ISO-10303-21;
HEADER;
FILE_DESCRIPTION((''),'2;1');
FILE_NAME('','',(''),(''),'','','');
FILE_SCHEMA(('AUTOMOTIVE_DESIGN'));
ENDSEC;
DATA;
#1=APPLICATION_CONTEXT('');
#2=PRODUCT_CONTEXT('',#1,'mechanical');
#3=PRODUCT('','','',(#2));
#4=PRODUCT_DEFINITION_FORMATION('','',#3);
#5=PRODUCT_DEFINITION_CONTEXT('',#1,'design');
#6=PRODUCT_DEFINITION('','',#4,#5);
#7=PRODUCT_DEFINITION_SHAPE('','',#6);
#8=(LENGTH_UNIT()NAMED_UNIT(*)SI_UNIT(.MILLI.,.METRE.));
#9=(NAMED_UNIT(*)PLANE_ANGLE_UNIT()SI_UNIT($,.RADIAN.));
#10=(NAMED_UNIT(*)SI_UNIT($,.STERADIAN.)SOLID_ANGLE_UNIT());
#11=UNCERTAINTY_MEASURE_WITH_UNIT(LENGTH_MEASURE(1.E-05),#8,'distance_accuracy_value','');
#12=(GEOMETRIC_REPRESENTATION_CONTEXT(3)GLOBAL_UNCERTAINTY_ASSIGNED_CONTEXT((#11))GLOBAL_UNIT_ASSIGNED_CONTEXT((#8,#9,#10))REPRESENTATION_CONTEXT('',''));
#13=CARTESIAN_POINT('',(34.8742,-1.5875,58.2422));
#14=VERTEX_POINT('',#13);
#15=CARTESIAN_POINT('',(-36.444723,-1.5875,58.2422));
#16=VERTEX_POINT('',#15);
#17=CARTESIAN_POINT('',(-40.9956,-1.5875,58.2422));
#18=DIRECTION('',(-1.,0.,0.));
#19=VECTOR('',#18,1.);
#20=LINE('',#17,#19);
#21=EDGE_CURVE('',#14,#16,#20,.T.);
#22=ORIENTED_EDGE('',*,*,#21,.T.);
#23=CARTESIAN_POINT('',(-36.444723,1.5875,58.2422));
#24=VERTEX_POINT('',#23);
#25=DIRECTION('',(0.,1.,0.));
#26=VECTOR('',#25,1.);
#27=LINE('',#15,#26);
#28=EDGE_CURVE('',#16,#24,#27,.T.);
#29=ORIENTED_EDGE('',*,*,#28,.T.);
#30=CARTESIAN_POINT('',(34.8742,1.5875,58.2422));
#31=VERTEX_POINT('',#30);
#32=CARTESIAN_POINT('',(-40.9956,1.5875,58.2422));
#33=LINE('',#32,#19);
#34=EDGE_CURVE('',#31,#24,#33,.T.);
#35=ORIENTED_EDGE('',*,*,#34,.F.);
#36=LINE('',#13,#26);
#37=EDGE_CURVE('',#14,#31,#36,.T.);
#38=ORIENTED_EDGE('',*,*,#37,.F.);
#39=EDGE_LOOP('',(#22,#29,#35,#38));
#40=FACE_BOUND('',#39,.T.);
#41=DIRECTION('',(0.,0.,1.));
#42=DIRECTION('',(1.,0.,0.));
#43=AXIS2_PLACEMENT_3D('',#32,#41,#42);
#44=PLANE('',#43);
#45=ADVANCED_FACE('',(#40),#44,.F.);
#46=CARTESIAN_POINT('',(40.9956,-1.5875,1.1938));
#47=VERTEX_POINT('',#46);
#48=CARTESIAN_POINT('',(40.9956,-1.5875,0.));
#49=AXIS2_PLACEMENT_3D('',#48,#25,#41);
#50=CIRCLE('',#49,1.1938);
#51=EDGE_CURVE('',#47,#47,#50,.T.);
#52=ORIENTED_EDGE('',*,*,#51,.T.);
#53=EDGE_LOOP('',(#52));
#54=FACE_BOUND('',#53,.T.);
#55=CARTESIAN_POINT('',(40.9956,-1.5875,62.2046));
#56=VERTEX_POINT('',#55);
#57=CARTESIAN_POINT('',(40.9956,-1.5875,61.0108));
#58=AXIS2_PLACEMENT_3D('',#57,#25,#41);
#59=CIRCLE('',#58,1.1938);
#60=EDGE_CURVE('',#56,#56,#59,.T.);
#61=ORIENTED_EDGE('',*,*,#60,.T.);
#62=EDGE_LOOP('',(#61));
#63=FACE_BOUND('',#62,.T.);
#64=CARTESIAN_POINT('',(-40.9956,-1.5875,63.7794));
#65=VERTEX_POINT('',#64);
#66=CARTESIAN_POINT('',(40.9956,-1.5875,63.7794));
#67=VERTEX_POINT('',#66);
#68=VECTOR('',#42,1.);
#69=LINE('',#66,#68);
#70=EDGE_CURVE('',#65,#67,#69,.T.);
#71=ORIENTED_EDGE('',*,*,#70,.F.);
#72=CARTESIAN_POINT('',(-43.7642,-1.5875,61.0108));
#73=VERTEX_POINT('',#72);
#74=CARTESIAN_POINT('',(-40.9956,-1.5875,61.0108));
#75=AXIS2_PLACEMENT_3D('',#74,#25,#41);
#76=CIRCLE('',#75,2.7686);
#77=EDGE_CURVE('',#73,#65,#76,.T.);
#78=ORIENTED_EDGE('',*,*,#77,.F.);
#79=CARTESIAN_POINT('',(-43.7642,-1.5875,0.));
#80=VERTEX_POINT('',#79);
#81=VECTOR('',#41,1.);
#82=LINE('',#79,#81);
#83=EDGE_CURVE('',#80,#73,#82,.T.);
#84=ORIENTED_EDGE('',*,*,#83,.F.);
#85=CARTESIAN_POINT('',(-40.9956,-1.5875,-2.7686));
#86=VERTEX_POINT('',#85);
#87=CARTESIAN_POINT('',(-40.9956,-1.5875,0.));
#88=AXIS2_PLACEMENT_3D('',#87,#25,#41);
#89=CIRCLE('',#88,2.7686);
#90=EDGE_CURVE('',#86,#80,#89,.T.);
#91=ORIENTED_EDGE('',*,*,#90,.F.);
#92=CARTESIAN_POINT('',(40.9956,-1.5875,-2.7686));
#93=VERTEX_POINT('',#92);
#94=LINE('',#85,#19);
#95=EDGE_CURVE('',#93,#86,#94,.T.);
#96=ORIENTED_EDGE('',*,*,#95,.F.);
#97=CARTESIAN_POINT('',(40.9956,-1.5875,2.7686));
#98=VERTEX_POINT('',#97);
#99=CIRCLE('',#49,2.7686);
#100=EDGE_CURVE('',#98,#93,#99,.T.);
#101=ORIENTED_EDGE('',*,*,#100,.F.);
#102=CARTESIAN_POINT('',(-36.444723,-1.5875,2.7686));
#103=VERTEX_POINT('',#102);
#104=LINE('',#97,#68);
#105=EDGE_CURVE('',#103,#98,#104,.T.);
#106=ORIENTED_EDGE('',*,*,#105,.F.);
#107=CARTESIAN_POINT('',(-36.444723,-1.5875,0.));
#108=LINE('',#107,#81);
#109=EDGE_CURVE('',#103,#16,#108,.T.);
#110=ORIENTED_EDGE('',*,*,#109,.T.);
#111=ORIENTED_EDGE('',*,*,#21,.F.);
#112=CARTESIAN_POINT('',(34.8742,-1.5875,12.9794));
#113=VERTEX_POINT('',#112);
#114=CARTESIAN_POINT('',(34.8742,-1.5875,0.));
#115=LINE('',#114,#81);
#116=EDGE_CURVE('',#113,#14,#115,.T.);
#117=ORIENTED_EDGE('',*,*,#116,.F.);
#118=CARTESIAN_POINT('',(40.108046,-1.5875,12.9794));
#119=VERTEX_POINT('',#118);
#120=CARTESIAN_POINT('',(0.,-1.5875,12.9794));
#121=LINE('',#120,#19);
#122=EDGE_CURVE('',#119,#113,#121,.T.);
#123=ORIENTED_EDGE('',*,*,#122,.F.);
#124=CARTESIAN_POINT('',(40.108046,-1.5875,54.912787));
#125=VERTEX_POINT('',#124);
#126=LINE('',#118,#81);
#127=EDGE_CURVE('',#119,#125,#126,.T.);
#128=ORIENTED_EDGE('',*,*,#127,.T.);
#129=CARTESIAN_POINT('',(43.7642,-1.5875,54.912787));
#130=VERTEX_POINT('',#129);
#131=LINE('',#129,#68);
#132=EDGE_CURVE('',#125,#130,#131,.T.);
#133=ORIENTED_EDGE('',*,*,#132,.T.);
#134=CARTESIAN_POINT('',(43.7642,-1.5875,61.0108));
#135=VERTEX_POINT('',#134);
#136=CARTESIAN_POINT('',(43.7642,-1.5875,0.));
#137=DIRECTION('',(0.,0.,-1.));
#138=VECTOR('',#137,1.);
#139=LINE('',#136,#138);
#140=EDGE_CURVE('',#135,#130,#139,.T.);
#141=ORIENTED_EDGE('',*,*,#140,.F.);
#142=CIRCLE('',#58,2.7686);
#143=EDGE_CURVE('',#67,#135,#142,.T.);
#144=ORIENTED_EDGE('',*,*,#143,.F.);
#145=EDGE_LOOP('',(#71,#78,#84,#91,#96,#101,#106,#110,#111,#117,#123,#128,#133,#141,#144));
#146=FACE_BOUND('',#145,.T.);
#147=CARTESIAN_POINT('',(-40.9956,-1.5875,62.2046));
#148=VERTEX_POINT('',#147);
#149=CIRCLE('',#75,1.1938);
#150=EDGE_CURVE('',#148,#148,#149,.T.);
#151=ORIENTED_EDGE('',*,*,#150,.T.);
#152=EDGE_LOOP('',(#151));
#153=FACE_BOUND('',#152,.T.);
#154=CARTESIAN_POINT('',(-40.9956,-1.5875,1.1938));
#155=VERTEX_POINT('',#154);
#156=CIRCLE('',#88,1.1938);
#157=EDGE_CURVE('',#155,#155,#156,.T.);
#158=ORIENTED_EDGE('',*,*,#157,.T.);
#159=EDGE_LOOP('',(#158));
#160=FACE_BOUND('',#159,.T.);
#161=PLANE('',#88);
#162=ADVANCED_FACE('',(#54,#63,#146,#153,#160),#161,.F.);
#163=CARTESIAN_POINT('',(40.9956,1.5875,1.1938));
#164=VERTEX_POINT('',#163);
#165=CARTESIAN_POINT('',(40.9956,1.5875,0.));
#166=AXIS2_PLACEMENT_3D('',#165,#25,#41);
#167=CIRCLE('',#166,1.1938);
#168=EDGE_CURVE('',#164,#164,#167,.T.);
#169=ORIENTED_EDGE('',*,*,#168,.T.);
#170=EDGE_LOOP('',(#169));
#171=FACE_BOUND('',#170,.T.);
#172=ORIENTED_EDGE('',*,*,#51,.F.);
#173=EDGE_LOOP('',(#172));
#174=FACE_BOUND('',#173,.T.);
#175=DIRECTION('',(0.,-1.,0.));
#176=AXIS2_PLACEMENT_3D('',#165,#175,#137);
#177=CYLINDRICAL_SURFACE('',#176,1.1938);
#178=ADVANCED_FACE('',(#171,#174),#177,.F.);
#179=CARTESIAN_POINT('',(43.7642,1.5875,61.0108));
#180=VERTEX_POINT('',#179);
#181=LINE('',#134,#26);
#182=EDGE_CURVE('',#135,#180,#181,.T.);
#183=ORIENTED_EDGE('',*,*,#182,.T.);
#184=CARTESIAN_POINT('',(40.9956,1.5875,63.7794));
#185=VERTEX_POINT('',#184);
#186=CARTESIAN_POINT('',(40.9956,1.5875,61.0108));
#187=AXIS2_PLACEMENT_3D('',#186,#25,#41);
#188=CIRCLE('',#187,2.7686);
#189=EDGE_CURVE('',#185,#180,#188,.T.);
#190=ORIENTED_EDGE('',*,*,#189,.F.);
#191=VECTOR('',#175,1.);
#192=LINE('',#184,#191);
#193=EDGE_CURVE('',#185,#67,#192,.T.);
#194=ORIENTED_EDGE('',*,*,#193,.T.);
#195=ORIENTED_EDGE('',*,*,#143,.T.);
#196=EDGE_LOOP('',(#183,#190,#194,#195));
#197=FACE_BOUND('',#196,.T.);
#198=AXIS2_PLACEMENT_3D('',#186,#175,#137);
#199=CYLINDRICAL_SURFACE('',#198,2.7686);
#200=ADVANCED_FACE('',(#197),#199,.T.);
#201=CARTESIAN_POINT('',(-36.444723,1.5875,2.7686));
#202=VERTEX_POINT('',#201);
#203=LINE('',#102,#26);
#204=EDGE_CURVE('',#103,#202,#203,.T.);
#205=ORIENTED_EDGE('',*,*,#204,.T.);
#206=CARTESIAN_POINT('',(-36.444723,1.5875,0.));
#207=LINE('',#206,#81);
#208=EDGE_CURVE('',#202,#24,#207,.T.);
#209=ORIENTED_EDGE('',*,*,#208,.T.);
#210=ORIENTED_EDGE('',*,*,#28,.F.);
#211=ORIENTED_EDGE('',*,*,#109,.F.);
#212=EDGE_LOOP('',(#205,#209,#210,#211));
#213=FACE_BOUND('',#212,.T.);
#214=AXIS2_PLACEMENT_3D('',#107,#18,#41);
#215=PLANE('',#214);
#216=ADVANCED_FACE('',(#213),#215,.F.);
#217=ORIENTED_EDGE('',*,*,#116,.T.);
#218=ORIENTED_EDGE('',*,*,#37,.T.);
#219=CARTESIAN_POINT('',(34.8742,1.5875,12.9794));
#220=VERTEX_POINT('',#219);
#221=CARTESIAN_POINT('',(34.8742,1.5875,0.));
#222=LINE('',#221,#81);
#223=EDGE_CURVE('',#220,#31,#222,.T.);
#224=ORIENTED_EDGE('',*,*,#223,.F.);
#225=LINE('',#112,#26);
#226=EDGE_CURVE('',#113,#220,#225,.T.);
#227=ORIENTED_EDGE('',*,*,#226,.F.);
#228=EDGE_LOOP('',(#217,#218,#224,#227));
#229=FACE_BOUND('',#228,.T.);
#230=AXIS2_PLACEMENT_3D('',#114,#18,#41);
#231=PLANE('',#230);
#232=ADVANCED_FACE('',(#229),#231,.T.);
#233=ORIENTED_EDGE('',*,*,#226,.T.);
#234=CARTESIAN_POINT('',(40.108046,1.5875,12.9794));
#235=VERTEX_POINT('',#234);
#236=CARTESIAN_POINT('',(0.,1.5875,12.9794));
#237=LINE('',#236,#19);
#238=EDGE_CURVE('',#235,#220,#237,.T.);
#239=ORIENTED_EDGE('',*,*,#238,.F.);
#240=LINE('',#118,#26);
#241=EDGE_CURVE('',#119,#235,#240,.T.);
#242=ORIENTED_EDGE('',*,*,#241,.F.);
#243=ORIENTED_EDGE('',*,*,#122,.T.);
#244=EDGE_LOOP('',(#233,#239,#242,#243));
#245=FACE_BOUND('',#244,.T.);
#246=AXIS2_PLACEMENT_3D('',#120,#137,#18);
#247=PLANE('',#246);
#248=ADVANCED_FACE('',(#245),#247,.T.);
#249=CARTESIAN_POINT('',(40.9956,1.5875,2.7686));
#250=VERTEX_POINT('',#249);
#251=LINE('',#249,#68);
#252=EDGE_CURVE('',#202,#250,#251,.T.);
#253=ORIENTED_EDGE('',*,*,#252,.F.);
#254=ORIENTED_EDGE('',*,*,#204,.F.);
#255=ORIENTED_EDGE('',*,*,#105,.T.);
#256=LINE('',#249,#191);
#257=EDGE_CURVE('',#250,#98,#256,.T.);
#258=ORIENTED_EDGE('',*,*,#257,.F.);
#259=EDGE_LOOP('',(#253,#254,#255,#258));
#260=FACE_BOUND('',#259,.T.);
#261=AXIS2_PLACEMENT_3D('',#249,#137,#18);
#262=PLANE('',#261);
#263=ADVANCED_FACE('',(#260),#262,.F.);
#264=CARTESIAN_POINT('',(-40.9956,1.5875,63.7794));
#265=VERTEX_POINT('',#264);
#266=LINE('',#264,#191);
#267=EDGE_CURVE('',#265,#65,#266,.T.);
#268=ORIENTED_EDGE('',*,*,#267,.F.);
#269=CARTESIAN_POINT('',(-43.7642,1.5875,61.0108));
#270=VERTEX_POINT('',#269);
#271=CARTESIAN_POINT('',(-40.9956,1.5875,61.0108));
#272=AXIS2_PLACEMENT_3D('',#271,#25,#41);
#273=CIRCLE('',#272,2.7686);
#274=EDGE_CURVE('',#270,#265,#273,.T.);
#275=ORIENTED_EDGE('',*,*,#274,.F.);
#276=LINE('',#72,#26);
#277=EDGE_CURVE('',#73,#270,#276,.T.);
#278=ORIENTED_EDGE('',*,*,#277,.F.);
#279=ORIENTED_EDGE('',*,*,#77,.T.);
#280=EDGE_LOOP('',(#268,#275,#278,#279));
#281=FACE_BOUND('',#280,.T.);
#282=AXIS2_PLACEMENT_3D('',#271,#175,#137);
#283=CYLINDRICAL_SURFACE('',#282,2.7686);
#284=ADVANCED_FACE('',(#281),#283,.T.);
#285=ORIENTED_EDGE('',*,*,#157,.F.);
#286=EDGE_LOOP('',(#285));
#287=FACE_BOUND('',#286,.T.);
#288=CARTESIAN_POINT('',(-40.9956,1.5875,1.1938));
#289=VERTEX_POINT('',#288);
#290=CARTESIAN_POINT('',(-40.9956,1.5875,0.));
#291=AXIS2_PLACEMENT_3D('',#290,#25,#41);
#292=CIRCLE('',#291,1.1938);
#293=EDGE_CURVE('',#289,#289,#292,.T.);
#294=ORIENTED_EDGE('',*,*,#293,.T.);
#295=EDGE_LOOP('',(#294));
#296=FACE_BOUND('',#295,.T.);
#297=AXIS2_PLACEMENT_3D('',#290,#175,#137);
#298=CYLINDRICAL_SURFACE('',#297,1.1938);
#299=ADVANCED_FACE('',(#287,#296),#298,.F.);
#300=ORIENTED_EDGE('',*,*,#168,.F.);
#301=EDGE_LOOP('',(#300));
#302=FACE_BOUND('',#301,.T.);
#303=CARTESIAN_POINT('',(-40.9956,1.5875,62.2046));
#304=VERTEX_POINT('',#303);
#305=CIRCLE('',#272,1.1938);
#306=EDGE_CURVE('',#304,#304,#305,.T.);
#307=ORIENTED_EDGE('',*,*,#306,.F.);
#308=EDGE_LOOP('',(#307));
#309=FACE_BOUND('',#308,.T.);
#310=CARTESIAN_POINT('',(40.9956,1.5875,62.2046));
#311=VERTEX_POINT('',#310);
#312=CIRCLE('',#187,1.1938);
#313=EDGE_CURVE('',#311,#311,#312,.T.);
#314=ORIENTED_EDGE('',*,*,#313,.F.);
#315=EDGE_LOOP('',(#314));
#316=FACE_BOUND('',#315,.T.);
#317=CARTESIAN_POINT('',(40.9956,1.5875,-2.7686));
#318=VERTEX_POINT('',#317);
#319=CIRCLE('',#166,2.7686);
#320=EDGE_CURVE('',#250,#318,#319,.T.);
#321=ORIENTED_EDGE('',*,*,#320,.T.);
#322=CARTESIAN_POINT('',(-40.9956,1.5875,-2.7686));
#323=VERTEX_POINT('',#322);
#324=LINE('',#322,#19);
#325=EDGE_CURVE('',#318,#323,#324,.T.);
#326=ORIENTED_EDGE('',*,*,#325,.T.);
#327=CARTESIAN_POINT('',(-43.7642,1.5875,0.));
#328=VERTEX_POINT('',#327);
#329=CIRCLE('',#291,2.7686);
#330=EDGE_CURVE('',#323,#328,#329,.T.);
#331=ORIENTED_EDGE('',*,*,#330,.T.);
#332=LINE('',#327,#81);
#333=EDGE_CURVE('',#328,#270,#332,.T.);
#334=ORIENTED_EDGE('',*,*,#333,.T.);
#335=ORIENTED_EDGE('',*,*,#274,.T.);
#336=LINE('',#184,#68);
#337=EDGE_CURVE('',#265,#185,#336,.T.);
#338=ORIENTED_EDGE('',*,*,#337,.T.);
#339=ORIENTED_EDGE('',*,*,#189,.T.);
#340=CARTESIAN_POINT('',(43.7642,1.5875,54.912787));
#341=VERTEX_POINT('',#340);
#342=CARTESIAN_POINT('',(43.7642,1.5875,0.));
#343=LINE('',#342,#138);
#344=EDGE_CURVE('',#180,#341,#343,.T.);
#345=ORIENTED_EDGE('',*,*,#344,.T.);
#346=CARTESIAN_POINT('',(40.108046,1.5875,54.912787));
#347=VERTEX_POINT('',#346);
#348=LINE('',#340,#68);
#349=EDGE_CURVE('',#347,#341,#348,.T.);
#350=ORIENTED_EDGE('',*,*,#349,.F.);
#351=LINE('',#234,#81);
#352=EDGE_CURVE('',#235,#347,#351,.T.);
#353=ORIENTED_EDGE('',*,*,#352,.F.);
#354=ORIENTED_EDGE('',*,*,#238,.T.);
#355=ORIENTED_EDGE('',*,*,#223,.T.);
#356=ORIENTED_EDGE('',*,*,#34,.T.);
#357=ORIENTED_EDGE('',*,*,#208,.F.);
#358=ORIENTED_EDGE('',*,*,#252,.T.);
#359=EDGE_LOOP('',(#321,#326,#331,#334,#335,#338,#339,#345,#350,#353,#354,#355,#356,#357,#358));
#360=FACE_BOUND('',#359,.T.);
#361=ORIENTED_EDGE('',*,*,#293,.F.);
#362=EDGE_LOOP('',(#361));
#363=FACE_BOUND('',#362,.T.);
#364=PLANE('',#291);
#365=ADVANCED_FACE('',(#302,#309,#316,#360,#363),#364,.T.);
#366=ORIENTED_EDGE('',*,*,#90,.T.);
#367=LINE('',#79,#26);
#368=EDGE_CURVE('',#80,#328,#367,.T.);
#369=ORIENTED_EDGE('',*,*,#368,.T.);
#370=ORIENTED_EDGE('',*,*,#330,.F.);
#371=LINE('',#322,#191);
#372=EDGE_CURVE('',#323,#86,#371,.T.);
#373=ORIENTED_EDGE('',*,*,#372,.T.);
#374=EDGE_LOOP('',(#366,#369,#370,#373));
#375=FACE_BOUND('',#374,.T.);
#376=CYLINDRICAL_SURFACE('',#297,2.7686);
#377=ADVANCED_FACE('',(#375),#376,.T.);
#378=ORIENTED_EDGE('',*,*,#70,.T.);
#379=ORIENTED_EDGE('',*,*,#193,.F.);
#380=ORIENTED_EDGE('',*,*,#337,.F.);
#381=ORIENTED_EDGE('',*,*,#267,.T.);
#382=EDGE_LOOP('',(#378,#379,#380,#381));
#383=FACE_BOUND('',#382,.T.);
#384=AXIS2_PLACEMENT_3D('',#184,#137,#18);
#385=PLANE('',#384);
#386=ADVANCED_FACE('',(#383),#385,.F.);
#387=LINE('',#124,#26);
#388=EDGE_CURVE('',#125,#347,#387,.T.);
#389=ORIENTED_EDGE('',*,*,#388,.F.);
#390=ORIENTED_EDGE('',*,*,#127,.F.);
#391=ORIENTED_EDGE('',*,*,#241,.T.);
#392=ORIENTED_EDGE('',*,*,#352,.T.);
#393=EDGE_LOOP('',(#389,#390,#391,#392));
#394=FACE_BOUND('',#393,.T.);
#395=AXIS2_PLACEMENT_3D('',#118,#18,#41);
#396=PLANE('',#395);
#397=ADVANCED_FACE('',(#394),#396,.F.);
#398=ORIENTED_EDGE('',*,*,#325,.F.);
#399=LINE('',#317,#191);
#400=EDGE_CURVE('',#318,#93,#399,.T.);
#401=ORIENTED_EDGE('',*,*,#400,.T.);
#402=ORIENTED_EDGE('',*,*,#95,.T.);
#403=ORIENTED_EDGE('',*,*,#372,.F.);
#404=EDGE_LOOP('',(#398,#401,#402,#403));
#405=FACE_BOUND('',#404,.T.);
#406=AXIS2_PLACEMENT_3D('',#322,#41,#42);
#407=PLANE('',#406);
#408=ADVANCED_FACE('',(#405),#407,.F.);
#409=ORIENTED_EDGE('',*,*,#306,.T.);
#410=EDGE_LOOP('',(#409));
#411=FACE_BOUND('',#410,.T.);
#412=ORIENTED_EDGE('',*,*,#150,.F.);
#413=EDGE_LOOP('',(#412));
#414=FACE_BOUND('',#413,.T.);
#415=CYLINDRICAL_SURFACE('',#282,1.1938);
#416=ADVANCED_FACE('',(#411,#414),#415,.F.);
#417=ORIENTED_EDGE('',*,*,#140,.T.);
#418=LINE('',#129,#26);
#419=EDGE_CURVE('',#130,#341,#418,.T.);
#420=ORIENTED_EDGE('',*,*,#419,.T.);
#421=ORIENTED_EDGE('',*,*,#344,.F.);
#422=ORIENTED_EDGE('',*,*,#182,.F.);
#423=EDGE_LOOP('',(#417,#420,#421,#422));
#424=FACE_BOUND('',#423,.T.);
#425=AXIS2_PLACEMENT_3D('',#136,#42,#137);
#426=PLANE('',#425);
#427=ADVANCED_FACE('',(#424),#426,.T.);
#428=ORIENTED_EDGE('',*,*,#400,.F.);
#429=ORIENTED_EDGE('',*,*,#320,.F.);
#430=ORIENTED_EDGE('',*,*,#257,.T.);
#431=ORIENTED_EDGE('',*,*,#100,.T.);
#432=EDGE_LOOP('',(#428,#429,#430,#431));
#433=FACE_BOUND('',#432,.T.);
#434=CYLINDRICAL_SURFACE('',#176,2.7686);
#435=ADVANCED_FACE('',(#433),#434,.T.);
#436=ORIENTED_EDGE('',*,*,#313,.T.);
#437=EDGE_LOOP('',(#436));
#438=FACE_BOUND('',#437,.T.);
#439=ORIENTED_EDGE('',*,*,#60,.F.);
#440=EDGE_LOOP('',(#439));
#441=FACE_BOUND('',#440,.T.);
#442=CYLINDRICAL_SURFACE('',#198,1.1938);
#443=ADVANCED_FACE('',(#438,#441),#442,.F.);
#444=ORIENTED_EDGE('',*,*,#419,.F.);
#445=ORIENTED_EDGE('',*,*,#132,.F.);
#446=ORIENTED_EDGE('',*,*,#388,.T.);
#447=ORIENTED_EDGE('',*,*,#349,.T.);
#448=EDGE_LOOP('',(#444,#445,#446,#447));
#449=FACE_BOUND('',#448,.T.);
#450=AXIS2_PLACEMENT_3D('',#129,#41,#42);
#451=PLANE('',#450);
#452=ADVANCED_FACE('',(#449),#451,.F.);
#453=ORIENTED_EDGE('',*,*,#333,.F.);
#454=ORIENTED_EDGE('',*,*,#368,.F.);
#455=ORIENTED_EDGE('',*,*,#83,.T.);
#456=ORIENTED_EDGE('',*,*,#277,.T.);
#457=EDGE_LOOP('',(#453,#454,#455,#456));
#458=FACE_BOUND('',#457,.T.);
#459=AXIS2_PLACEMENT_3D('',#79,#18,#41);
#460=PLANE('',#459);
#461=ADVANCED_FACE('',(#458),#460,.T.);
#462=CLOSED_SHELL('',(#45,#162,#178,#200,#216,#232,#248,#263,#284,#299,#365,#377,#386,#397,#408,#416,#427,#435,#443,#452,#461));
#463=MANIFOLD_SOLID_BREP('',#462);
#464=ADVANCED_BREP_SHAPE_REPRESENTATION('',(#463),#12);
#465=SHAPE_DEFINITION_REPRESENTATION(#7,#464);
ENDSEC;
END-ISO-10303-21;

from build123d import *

# Parameters (mm, degrees)
SKETCH1_R           = 1.1938
BOSS_EXTRUDE1_DEPTH = 1.5875
SKETCH2_R           = 1.1938
BOSS_EXTRUDE2_DEPTH = 1.5875
BOSS_EXTRUDE3_DEPTH = 3.175
BOSS_EXTRUDE4_DEPTH = 3.175
SKETCH5_W           = 3.656154394
SKETCH5_H           = 41.933387184
CUT_EXTRUDE1_DEPTH  = 78.415745756


with BuildPart() as part:
    # Sketch1 → Boss-Extrude1 (new, symmetric)
    with BuildSketch(Plane(origin=(0, 0, 0), x_dir=(1, 0, 0), z_dir=(0, 1, 0))):
        with BuildLine():
            Line((-40.9956, 2.7686), (40.9956, 2.7686))
            ThreePointArc((40.9956, 2.7686), (43.7642, 0), (40.9956, -2.7686))
            Line((40.9956, -2.7686), (-40.9956, -2.7686))
            ThreePointArc((-40.9956, -2.7686), (-43.7642, 0), (-40.9956, 2.7686))
        make_face()
        with Locations(Location((-40.9956, 0, 0), (0, 0, 270))):
            Circle(SKETCH1_R, mode=Mode.SUBTRACT)
        with Locations(Location((40.9956, 0, 0), (0, 0, 270))):
            Circle(SKETCH1_R, mode=Mode.SUBTRACT)
    extrude(amount=BOSS_EXTRUDE1_DEPTH, both=True)



with BuildPart() as body_2:
    # Sketch2 → Boss-Extrude2 (new, symmetric)
    with BuildSketch(Plane(origin=(0, 0, 0), x_dir=(1, 0, 0), z_dir=(0, 1, 0))):
        with BuildLine():
            Line((-40.9956, -58.2422), (40.9956, -58.2422))
            ThreePointArc((40.9956, -58.2422), (43.7642, -61.0108), (40.9956, -63.7794))
            Line((40.9956, -63.7794), (-40.9956, -63.7794))
            ThreePointArc((-40.9956, -63.7794), (-43.7642, -61.0108), (-40.9956, -58.2422))
        make_face()
        with Locations(Location((-40.9956, -61.0108, 0), (0, 0, 270))):
            Circle(SKETCH2_R, mode=Mode.SUBTRACT)
        with Locations(Location((40.9956, -61.0108, 0), (0, 0, 270))):
            Circle(SKETCH2_R, mode=Mode.SUBTRACT)
    extrude(amount=BOSS_EXTRUDE2_DEPTH, both=True)


with BuildPart() as part_1:
    add(part.part)

    add(body_2.part)  # Boss-Extrude3 merges body 2
    # Sketch3 → Boss-Extrude3 (add)
    with BuildSketch(Plane(origin=(0, 1.5875, 0), x_dir=(1, 0, 0), z_dir=(0, 1, 0))):
        with BuildLine():
            ThreePointArc((-40.9956, -2.7686), (-42.953295834, -1.957695834), (-43.7642, 0))
            Line((-43.7642, 0), (-43.7642, -61.0108))
            ThreePointArc((-43.7642, -61.0108), (-42.953295834, -59.053104166), (-40.9956, -58.2422))
            Line((-40.9956, -58.2422), (-36.444722592, -58.2422))
            Line((-36.444722592, -58.2422), (-36.444722592, -2.7686))
            Line((-36.444722592, -2.7686), (-40.9956, -2.7686))
        make_face()
    extrude(amount=-BOSS_EXTRUDE3_DEPTH)

    # Sketch4 → Boss-Extrude4 (add)
    with BuildSketch(Plane(origin=(0, 1.5875, 0), x_dir=(1, 0, 0), z_dir=(0, 1, 0))):
        with BuildLine():
            ThreePointArc((40.9956, -58.2422), (42.953295834, -59.053104166), (43.7642, -61.0108))
            Line((43.7642, -61.0108), (43.7642, -12.9794))
            Line((43.7642, -12.9794), (34.8742, -12.9794))
            Line((34.8742, -12.9794), (34.8742, -58.2422))
            Line((34.8742, -58.2422), (40.9956, -58.2422))
        make_face()
    extrude(amount=-BOSS_EXTRUDE4_DEPTH)

    # Sketch5 → Cut-Extrude1 (cut, through all)
    with BuildSketch(Plane(origin=(0, 1.5875, 0), x_dir=(1, 0, 0), z_dir=(0, 1, 0))):
        with Locations((41.936122803, -33.946093592)):
            Rectangle(SKETCH5_W, SKETCH5_H)
    extrude(amount=-CUT_EXTRUDE1_DEPTH, mode=Mode.SUBTRACT)


solid = part_1.part
